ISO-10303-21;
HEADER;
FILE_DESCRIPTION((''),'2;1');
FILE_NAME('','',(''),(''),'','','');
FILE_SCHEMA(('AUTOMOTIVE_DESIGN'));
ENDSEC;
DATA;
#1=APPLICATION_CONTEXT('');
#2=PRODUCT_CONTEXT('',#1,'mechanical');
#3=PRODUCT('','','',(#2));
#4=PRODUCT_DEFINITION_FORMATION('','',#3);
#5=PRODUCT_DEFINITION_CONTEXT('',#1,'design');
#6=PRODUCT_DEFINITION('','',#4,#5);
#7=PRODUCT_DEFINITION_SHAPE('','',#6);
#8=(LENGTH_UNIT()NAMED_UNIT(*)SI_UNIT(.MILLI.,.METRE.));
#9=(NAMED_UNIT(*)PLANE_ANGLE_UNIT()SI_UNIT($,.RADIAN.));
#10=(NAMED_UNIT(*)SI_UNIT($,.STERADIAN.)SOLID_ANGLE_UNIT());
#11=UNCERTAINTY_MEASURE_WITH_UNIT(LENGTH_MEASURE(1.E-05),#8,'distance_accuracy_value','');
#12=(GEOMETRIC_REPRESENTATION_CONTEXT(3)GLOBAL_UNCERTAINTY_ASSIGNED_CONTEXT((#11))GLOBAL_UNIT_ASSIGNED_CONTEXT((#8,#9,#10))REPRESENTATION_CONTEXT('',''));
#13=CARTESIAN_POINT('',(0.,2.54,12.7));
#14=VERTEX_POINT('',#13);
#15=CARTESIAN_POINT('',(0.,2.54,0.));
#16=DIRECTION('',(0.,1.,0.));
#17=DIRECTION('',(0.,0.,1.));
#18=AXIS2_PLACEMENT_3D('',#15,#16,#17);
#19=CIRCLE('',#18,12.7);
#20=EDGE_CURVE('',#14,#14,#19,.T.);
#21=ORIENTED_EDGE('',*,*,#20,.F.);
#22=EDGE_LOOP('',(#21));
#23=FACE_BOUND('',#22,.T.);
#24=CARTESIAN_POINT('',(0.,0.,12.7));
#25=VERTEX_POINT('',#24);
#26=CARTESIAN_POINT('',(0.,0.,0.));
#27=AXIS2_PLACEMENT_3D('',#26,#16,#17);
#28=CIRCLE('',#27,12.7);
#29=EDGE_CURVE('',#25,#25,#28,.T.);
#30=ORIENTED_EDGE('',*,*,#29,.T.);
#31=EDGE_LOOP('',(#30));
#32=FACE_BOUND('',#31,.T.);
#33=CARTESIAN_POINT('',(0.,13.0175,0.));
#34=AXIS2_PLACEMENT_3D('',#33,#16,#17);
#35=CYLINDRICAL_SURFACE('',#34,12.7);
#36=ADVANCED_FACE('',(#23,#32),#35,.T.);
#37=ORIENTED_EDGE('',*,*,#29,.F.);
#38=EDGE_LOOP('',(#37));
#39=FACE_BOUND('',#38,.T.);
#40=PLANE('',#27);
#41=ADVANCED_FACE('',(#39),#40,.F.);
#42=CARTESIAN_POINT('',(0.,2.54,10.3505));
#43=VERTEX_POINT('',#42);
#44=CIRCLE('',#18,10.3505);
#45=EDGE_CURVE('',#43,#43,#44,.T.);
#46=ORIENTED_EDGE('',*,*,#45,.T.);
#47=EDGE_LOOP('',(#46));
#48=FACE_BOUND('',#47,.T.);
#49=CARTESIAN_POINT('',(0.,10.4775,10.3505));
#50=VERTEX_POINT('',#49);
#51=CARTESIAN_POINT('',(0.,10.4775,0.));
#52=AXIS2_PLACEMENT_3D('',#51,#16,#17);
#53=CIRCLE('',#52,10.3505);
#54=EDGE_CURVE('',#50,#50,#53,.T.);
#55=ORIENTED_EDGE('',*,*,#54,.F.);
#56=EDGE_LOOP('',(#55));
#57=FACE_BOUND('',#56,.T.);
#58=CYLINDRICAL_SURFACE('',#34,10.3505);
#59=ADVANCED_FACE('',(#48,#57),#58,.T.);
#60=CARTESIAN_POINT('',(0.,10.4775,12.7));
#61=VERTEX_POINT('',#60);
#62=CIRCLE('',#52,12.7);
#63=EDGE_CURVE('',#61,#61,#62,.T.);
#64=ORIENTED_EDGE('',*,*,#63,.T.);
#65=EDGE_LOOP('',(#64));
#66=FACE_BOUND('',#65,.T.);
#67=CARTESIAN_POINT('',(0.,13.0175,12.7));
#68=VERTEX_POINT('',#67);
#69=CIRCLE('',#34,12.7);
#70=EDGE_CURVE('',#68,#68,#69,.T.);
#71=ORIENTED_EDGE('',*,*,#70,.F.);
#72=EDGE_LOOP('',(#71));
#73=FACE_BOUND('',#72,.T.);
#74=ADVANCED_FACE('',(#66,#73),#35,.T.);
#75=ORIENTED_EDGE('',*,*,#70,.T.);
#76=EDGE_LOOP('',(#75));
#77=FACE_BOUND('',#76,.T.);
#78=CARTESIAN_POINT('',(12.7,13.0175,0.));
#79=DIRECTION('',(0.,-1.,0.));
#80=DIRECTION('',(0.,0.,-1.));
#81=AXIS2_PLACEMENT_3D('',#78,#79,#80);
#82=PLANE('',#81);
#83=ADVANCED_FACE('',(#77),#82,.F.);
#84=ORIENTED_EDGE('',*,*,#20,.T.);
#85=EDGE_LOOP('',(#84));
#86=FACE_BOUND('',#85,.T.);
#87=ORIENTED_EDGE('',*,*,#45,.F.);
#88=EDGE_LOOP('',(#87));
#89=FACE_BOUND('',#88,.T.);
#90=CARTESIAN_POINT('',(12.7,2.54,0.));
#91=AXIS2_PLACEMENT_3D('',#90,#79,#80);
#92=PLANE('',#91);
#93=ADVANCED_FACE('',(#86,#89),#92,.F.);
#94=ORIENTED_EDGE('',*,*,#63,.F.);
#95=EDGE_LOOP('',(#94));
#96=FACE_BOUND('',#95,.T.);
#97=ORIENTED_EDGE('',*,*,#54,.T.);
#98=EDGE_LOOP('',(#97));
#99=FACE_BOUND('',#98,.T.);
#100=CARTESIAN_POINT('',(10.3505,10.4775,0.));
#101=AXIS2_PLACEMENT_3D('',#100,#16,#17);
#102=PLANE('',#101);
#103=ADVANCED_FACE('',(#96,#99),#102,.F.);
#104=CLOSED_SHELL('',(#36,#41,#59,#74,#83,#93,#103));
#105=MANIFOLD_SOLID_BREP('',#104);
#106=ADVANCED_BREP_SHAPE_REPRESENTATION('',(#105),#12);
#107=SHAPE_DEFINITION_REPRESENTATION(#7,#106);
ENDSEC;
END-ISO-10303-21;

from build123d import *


with BuildPart() as part:
    # Sketch2 → Revolve1 (revolve)
    with BuildSketch(Plane.XY):
        Polygon((0, 0), (12.7, 0), (12.7, 2.54), (10.3505, 2.54), (10.3505, 10.4775), (12.7, 10.4775), (12.7, 13.0175), (0, 13.0175), align=None)
    revolve(axis=Axis((0, 13.0175, 0), (0, -1, 0)))


solid = part.part
